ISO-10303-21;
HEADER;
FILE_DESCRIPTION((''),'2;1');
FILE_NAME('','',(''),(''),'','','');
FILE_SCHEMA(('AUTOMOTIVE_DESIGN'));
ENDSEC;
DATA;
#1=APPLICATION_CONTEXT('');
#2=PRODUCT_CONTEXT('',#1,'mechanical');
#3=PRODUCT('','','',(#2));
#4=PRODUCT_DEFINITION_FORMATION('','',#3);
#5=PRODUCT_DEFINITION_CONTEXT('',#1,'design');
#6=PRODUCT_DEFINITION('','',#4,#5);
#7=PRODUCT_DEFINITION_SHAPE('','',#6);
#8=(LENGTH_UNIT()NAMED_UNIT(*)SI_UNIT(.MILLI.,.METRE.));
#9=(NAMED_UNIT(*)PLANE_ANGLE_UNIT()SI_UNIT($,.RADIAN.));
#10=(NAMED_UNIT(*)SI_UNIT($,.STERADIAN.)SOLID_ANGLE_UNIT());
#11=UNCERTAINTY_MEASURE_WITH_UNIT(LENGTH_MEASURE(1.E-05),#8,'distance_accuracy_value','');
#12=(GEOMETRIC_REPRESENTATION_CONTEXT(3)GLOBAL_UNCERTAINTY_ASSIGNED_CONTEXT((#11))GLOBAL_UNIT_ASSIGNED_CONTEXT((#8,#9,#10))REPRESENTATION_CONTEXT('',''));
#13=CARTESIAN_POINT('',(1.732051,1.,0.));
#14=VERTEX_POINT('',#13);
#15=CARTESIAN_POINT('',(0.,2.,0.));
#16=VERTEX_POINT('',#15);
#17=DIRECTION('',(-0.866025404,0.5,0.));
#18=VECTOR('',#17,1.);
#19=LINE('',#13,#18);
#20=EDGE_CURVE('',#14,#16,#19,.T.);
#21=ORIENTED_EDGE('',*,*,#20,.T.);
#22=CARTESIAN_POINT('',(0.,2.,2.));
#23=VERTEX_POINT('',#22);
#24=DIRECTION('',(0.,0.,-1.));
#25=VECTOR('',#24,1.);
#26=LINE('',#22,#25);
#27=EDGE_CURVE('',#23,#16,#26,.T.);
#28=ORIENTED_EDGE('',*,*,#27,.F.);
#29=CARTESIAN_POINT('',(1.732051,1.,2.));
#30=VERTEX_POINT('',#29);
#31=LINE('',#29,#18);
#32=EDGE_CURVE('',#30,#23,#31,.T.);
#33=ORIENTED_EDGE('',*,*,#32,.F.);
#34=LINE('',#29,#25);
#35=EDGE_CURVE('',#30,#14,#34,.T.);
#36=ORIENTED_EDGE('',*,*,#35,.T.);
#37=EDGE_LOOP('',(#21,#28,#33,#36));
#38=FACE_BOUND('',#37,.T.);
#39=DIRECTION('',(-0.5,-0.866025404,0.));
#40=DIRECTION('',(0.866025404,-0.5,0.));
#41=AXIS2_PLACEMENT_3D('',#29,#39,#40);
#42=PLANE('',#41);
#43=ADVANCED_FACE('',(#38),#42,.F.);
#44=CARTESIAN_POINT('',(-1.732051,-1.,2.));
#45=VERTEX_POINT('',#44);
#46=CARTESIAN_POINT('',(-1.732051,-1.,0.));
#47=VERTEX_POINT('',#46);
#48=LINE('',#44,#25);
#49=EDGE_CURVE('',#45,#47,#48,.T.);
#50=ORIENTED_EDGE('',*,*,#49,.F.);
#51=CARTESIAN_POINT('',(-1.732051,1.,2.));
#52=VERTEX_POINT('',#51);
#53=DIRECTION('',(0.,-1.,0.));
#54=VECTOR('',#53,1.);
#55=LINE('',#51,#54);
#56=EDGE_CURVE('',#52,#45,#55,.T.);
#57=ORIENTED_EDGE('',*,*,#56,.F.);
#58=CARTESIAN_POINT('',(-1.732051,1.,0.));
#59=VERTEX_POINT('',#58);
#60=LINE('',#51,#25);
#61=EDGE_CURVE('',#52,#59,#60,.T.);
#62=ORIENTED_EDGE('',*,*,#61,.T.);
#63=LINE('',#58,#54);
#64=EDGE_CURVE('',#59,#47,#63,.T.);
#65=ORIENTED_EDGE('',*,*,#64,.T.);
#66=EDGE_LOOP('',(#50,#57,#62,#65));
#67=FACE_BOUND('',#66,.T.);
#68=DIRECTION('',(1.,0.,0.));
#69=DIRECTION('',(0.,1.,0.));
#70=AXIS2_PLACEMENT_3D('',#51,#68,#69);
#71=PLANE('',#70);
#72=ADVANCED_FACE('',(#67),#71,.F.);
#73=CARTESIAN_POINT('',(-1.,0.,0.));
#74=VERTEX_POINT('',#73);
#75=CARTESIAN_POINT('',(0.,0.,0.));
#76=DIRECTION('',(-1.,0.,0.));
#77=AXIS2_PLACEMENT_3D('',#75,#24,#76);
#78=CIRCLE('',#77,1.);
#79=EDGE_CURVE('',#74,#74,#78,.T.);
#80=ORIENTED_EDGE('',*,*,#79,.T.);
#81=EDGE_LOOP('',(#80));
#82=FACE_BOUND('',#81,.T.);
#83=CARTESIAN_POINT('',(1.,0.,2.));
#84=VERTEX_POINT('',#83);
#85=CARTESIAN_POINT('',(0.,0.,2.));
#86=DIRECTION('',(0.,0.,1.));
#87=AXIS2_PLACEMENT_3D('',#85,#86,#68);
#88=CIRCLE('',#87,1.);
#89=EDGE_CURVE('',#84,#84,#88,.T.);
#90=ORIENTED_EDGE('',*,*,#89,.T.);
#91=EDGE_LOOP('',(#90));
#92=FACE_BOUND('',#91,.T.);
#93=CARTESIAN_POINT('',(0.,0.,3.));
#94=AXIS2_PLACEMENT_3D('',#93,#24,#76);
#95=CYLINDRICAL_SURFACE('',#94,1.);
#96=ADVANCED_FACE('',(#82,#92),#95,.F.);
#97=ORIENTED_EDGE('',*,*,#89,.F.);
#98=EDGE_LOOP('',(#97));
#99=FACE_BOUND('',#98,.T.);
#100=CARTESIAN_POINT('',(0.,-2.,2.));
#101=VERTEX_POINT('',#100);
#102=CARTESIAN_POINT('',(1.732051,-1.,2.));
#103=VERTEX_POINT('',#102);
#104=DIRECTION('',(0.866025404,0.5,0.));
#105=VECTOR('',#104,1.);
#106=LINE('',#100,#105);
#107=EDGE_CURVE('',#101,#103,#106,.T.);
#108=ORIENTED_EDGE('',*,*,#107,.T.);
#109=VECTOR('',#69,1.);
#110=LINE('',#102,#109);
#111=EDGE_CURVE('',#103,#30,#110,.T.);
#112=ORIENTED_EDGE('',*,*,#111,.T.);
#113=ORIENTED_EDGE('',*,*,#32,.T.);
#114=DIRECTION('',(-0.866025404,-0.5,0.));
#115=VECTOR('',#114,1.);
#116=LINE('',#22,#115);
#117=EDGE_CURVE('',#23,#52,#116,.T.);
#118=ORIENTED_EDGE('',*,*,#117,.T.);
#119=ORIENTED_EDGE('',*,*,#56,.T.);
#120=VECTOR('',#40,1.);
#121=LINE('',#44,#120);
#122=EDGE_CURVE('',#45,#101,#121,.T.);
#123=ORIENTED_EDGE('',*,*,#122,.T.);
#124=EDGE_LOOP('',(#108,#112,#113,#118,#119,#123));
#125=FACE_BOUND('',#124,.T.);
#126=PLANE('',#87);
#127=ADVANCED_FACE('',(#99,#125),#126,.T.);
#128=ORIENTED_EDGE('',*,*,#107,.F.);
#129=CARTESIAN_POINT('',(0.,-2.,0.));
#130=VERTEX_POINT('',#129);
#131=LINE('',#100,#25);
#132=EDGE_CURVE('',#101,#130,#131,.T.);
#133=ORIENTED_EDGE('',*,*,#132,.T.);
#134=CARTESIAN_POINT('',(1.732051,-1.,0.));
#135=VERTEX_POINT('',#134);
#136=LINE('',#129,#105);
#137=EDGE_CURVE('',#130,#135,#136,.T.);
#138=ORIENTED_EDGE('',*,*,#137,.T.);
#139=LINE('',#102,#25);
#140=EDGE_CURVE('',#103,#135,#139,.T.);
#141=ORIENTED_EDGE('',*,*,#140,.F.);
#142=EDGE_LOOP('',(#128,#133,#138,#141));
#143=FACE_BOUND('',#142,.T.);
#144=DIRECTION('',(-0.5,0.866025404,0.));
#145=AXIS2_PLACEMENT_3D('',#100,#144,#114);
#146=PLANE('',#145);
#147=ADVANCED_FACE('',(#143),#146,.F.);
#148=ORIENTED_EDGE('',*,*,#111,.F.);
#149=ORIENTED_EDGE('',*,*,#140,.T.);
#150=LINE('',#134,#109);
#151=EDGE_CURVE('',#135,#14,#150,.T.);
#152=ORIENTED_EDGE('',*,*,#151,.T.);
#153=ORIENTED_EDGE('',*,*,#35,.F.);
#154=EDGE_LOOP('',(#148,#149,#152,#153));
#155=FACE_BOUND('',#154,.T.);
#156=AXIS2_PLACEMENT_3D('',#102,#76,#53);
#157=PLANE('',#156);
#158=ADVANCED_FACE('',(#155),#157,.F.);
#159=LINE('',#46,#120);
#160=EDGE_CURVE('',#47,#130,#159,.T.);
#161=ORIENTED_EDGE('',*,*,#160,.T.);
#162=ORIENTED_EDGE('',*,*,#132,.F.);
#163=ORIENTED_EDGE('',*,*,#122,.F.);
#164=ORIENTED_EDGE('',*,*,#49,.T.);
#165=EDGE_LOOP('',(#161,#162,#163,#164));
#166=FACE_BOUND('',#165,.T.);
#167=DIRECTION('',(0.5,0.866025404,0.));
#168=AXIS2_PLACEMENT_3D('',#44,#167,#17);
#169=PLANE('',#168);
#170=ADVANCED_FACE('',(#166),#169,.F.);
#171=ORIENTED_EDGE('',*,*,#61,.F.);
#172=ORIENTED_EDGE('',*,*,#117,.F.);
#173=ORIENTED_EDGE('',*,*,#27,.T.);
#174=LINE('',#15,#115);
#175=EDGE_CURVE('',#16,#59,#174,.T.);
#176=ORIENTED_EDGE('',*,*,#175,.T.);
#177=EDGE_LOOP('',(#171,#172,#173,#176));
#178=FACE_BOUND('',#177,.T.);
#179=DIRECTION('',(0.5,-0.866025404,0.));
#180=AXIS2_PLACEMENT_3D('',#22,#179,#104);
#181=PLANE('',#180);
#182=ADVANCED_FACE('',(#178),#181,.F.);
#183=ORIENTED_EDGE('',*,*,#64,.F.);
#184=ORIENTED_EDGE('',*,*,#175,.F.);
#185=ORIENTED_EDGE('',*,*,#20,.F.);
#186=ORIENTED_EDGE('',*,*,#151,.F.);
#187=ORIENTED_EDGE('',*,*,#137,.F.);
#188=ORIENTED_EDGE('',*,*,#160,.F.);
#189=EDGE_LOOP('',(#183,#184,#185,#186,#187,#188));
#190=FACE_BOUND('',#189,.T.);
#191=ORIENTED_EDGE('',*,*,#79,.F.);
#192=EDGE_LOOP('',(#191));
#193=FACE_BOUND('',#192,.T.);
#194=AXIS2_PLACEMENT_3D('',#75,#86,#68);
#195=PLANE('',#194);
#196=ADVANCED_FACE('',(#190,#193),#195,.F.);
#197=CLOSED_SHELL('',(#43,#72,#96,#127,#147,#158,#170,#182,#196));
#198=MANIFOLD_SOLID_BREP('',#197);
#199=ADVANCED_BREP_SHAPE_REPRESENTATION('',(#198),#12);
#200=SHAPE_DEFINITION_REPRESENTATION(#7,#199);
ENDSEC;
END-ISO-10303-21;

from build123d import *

# Parameters (mm, degrees)
BOSS_EXTRUDE1_DEPTH = 2
SKETCH2_R           = 1
CUT_EXTRUDE1_DEPTH  = 3


with BuildPart() as part:
    # Sketch1 → Boss-Extrude1 (new body)
    with BuildSketch(Plane.XY):
        Polygon((0, 2), (-1.732050808, 1), (-1.732050808, -1), (0, -2), (1.732050808, -1), (1.732050808, 1), align=None)
    extrude(amount=BOSS_EXTRUDE1_DEPTH)

    # Sketch2 → Cut-Extrude1 (cut)
    with BuildSketch(Plane(origin=(0, 0, 0), x_dir=(-1, 0, 0), z_dir=(0, 0, -1))):
        Circle(SKETCH2_R)
    extrude(amount=-CUT_EXTRUDE1_DEPTH, mode=Mode.SUBTRACT)


solid = part.part
